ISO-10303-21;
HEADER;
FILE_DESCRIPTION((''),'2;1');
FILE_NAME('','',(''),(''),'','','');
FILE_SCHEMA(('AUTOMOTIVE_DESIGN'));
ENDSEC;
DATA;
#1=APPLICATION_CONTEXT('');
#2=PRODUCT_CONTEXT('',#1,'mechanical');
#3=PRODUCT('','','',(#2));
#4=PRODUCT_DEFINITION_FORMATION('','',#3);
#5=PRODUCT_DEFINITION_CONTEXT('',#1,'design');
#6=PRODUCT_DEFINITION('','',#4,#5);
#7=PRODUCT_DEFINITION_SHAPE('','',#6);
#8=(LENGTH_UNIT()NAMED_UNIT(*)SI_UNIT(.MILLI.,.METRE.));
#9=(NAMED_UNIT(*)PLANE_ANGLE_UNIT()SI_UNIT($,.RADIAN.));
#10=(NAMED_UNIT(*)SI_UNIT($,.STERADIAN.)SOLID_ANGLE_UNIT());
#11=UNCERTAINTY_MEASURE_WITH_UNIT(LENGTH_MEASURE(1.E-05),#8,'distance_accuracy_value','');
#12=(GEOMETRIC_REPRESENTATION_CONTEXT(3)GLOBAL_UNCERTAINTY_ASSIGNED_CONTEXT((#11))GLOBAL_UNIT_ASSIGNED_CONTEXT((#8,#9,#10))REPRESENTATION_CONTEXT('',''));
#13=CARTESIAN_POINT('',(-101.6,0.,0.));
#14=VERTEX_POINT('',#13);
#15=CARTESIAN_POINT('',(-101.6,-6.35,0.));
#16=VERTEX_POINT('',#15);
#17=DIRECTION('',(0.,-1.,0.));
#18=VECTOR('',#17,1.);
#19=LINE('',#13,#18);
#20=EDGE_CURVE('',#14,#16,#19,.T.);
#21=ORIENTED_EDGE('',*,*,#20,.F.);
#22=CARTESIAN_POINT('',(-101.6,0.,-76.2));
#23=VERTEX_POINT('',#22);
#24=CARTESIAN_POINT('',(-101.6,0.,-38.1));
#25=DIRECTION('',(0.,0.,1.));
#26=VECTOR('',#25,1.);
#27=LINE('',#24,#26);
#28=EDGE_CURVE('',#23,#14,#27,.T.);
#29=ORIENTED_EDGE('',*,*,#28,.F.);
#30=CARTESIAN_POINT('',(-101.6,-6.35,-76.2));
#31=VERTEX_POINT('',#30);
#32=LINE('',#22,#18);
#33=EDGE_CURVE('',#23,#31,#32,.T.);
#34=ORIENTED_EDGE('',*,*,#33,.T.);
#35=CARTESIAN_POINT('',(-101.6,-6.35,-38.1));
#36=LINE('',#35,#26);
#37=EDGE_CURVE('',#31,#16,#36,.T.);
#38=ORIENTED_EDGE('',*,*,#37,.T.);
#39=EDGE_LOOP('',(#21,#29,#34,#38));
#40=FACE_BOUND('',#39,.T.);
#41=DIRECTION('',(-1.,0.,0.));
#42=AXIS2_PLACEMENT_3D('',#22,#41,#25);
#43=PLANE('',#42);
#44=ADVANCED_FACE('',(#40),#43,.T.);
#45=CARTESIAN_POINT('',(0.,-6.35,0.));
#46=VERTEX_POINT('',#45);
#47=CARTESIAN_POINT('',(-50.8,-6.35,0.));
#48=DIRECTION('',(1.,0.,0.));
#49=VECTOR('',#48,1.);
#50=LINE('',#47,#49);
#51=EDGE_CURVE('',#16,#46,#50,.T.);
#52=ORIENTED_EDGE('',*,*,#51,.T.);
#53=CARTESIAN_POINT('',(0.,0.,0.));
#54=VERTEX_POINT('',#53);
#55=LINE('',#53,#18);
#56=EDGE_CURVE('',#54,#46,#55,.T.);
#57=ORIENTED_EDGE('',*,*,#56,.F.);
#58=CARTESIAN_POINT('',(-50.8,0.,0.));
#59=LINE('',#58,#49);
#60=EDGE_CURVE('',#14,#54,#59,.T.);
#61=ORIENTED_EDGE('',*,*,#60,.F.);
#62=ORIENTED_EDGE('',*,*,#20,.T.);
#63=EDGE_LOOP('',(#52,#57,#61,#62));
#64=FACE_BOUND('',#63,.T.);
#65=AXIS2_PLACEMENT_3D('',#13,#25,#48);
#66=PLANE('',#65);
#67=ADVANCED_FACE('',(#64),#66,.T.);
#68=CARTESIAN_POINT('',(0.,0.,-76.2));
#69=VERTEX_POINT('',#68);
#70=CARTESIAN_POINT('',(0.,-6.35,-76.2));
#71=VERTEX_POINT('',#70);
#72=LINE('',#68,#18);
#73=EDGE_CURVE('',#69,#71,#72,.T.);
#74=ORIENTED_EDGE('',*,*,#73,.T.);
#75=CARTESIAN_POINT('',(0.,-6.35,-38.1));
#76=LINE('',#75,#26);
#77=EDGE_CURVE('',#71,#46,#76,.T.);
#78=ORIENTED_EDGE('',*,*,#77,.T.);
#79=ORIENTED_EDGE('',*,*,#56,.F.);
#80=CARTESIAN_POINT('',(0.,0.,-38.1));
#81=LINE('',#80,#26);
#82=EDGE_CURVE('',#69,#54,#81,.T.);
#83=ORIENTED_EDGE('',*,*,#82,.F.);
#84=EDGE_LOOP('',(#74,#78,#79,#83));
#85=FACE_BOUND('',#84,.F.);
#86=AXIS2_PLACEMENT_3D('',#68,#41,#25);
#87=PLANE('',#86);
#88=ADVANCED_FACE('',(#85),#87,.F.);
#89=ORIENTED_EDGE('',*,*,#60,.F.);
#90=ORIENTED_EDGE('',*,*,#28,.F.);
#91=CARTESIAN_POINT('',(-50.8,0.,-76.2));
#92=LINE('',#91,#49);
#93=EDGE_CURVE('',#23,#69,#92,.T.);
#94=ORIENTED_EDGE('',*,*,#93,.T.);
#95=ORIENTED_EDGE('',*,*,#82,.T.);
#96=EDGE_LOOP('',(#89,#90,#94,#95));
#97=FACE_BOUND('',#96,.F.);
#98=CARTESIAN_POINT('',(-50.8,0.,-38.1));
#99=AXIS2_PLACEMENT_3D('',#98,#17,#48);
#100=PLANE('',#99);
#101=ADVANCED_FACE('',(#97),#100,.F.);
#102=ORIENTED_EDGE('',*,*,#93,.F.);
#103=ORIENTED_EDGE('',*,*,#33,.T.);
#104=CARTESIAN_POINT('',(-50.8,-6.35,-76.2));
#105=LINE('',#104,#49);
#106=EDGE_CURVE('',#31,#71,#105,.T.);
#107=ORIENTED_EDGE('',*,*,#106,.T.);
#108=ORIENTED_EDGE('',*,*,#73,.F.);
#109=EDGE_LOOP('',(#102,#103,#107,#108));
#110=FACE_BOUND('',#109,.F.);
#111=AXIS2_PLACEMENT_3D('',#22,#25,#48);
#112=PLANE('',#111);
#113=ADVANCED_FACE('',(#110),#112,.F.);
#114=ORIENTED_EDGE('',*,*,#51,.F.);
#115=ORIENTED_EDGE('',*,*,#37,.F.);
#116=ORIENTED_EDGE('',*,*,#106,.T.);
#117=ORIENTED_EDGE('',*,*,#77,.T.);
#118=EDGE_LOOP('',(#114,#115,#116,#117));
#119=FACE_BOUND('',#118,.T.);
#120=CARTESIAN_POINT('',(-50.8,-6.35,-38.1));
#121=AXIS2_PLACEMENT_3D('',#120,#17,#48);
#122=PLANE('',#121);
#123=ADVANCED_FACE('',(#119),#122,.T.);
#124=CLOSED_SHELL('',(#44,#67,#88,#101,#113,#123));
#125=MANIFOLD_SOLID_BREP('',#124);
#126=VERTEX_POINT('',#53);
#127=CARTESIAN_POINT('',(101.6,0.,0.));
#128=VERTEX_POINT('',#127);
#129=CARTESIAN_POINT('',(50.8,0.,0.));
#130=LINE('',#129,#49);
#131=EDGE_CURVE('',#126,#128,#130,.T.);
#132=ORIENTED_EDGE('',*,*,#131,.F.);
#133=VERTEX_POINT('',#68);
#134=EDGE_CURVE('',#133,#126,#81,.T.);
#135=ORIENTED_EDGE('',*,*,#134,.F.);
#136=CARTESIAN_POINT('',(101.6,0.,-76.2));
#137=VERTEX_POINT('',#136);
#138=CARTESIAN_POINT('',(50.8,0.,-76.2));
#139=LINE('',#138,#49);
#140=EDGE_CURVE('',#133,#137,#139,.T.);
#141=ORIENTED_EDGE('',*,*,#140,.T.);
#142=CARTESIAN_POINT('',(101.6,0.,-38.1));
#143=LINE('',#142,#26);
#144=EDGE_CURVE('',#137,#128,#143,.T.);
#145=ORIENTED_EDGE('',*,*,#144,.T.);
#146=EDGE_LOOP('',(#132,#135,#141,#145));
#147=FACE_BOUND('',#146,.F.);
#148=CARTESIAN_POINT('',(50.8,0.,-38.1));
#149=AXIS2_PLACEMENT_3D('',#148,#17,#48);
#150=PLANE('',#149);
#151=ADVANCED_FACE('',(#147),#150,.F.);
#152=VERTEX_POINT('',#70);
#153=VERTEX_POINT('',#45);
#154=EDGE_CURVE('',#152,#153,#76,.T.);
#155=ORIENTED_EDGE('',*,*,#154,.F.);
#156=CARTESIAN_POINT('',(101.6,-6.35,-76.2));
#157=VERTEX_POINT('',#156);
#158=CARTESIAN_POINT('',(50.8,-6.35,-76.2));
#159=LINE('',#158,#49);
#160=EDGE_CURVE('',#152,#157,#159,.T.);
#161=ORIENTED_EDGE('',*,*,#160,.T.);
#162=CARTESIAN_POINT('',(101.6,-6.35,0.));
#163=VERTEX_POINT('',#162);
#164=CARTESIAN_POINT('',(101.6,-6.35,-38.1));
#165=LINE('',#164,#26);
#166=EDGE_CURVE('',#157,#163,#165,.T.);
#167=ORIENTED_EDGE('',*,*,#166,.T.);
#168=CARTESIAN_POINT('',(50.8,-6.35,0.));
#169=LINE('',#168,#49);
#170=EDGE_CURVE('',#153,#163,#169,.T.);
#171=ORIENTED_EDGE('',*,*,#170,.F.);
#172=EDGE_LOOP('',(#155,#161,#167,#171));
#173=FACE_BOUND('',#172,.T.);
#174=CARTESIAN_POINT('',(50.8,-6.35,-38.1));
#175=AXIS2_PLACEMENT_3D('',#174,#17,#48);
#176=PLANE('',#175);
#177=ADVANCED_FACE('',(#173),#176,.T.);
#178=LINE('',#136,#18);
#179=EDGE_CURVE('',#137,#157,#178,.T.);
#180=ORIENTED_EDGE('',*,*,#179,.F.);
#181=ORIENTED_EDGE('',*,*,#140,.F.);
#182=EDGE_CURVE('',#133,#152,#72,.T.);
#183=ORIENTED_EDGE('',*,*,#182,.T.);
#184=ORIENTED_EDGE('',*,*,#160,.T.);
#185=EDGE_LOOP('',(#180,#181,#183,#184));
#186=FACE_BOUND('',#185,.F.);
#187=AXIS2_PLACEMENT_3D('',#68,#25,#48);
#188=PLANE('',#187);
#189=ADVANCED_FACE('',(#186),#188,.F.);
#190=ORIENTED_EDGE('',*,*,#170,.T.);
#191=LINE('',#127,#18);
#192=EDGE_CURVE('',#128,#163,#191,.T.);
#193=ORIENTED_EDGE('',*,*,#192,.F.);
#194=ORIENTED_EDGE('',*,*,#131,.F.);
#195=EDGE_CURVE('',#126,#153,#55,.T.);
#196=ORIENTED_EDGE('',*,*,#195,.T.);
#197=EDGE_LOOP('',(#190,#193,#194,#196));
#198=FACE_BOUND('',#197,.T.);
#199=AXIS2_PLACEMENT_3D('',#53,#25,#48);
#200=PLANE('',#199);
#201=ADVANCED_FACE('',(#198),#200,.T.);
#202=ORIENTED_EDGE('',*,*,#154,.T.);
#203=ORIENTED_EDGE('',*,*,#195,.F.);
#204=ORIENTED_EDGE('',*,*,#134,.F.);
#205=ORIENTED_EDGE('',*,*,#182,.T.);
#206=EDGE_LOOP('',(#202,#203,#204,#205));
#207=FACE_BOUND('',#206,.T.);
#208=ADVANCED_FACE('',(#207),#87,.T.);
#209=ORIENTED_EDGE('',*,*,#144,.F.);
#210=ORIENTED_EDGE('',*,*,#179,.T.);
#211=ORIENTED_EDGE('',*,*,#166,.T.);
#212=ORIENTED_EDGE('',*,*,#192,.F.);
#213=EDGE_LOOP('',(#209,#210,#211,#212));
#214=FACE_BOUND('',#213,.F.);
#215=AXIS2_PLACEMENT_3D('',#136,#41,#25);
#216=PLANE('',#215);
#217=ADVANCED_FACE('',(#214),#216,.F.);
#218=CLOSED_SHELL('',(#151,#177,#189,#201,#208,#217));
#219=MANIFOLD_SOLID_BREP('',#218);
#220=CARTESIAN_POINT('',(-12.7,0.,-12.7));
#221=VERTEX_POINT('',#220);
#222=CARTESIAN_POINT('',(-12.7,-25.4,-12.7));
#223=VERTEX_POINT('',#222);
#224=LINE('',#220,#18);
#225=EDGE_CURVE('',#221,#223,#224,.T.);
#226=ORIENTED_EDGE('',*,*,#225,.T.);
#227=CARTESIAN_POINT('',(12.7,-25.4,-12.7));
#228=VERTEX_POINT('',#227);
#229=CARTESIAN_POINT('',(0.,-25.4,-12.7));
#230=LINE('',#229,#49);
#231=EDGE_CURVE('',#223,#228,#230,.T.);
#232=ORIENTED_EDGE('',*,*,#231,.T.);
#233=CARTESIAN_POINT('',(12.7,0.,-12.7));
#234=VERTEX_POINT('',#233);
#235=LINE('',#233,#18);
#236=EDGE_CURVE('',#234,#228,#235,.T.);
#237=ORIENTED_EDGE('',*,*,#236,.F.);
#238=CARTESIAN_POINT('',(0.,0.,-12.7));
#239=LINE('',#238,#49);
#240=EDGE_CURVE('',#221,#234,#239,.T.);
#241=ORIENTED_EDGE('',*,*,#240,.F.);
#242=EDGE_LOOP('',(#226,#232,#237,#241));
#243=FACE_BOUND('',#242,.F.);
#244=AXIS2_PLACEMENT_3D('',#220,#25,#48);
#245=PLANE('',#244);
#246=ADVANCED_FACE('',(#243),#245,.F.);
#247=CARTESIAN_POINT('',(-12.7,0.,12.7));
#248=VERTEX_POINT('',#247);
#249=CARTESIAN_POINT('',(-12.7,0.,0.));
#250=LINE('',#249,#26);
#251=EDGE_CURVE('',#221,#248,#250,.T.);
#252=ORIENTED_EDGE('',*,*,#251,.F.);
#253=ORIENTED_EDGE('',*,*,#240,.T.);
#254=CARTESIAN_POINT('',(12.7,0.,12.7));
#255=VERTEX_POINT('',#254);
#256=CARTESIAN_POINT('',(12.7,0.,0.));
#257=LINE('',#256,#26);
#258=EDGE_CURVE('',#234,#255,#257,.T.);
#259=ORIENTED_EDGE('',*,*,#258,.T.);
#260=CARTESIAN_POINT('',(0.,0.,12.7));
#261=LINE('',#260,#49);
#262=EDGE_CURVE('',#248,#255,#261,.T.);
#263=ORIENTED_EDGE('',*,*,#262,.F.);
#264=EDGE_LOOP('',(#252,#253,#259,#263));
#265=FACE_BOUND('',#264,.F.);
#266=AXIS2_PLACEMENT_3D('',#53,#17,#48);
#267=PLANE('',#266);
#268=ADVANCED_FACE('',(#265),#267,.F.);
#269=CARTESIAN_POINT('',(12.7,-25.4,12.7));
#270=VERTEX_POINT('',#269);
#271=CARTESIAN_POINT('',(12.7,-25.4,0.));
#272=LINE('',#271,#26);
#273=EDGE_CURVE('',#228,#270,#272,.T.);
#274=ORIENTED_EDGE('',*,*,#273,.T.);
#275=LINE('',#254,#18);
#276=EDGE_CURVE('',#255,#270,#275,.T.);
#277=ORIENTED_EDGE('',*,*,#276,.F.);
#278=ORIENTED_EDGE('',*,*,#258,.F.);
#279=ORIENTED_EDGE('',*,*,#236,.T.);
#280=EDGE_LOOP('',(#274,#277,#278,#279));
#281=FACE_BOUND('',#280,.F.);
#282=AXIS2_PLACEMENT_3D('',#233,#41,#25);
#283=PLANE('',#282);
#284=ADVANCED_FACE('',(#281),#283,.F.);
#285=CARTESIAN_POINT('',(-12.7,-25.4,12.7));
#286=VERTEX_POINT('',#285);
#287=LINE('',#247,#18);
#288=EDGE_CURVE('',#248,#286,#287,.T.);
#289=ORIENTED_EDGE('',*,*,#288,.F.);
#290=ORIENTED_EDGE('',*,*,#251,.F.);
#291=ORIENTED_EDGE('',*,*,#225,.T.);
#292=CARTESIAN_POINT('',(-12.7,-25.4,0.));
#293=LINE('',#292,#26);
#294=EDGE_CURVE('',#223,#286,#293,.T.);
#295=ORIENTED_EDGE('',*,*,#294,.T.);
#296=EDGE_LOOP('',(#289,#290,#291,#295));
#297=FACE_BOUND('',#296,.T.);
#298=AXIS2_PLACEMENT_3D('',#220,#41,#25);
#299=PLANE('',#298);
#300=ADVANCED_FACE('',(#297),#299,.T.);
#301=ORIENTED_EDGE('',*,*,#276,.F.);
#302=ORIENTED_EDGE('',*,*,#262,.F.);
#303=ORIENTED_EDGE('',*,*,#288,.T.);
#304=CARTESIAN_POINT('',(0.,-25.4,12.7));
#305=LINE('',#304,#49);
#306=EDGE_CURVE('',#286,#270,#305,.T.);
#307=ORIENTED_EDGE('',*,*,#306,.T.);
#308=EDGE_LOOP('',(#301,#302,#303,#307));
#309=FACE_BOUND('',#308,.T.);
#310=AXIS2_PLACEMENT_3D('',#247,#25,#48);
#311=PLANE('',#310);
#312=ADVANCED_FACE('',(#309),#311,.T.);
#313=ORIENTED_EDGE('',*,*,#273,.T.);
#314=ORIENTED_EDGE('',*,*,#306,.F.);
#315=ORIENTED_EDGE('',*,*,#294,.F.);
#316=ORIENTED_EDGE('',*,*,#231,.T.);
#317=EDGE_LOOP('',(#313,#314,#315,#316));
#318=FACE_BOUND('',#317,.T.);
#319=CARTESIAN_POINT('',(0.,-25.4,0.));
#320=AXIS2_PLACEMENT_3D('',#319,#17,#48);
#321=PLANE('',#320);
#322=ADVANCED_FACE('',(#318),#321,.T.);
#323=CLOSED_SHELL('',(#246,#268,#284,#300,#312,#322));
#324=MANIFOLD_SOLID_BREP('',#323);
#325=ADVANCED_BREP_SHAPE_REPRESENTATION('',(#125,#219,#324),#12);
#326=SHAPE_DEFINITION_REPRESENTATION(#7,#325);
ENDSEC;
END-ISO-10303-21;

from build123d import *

# Parameters (mm, degrees)
F2_W     = 101.6
F2_H     = 76.2
F3_DEPTH = 6.35
F1_W     = 101.6
F1_H     = 76.2
F0_W     = 25.4
F0_H     = 25.4
F4_DEPTH = 25.4


with BuildPart() as f3:
    # F2 (on Front) → F3 (new body)
    with BuildSketch(Plane.XZ):
        with Locations((-50.8, -38.1)):
            Rectangle(F2_W, F2_H)
    extrude(amount=F3_DEPTH)


with BuildPart() as f3b:
    # F1 (on Front) → F3, piece 2 (new body)
    with BuildSketch(Plane.XZ):
        with Locations((50.8, -38.1)):
            Rectangle(F1_W, F1_H)
    extrude(amount=F3_DEPTH)


with BuildPart() as f4:
    # F0 (on Front) → F4 (new body)
    with BuildSketch(Plane.XZ):
        Rectangle(F0_W, F0_H)
    extrude(amount=F4_DEPTH)


solid = Compound([f3.part, f3b.part, f4.part])
